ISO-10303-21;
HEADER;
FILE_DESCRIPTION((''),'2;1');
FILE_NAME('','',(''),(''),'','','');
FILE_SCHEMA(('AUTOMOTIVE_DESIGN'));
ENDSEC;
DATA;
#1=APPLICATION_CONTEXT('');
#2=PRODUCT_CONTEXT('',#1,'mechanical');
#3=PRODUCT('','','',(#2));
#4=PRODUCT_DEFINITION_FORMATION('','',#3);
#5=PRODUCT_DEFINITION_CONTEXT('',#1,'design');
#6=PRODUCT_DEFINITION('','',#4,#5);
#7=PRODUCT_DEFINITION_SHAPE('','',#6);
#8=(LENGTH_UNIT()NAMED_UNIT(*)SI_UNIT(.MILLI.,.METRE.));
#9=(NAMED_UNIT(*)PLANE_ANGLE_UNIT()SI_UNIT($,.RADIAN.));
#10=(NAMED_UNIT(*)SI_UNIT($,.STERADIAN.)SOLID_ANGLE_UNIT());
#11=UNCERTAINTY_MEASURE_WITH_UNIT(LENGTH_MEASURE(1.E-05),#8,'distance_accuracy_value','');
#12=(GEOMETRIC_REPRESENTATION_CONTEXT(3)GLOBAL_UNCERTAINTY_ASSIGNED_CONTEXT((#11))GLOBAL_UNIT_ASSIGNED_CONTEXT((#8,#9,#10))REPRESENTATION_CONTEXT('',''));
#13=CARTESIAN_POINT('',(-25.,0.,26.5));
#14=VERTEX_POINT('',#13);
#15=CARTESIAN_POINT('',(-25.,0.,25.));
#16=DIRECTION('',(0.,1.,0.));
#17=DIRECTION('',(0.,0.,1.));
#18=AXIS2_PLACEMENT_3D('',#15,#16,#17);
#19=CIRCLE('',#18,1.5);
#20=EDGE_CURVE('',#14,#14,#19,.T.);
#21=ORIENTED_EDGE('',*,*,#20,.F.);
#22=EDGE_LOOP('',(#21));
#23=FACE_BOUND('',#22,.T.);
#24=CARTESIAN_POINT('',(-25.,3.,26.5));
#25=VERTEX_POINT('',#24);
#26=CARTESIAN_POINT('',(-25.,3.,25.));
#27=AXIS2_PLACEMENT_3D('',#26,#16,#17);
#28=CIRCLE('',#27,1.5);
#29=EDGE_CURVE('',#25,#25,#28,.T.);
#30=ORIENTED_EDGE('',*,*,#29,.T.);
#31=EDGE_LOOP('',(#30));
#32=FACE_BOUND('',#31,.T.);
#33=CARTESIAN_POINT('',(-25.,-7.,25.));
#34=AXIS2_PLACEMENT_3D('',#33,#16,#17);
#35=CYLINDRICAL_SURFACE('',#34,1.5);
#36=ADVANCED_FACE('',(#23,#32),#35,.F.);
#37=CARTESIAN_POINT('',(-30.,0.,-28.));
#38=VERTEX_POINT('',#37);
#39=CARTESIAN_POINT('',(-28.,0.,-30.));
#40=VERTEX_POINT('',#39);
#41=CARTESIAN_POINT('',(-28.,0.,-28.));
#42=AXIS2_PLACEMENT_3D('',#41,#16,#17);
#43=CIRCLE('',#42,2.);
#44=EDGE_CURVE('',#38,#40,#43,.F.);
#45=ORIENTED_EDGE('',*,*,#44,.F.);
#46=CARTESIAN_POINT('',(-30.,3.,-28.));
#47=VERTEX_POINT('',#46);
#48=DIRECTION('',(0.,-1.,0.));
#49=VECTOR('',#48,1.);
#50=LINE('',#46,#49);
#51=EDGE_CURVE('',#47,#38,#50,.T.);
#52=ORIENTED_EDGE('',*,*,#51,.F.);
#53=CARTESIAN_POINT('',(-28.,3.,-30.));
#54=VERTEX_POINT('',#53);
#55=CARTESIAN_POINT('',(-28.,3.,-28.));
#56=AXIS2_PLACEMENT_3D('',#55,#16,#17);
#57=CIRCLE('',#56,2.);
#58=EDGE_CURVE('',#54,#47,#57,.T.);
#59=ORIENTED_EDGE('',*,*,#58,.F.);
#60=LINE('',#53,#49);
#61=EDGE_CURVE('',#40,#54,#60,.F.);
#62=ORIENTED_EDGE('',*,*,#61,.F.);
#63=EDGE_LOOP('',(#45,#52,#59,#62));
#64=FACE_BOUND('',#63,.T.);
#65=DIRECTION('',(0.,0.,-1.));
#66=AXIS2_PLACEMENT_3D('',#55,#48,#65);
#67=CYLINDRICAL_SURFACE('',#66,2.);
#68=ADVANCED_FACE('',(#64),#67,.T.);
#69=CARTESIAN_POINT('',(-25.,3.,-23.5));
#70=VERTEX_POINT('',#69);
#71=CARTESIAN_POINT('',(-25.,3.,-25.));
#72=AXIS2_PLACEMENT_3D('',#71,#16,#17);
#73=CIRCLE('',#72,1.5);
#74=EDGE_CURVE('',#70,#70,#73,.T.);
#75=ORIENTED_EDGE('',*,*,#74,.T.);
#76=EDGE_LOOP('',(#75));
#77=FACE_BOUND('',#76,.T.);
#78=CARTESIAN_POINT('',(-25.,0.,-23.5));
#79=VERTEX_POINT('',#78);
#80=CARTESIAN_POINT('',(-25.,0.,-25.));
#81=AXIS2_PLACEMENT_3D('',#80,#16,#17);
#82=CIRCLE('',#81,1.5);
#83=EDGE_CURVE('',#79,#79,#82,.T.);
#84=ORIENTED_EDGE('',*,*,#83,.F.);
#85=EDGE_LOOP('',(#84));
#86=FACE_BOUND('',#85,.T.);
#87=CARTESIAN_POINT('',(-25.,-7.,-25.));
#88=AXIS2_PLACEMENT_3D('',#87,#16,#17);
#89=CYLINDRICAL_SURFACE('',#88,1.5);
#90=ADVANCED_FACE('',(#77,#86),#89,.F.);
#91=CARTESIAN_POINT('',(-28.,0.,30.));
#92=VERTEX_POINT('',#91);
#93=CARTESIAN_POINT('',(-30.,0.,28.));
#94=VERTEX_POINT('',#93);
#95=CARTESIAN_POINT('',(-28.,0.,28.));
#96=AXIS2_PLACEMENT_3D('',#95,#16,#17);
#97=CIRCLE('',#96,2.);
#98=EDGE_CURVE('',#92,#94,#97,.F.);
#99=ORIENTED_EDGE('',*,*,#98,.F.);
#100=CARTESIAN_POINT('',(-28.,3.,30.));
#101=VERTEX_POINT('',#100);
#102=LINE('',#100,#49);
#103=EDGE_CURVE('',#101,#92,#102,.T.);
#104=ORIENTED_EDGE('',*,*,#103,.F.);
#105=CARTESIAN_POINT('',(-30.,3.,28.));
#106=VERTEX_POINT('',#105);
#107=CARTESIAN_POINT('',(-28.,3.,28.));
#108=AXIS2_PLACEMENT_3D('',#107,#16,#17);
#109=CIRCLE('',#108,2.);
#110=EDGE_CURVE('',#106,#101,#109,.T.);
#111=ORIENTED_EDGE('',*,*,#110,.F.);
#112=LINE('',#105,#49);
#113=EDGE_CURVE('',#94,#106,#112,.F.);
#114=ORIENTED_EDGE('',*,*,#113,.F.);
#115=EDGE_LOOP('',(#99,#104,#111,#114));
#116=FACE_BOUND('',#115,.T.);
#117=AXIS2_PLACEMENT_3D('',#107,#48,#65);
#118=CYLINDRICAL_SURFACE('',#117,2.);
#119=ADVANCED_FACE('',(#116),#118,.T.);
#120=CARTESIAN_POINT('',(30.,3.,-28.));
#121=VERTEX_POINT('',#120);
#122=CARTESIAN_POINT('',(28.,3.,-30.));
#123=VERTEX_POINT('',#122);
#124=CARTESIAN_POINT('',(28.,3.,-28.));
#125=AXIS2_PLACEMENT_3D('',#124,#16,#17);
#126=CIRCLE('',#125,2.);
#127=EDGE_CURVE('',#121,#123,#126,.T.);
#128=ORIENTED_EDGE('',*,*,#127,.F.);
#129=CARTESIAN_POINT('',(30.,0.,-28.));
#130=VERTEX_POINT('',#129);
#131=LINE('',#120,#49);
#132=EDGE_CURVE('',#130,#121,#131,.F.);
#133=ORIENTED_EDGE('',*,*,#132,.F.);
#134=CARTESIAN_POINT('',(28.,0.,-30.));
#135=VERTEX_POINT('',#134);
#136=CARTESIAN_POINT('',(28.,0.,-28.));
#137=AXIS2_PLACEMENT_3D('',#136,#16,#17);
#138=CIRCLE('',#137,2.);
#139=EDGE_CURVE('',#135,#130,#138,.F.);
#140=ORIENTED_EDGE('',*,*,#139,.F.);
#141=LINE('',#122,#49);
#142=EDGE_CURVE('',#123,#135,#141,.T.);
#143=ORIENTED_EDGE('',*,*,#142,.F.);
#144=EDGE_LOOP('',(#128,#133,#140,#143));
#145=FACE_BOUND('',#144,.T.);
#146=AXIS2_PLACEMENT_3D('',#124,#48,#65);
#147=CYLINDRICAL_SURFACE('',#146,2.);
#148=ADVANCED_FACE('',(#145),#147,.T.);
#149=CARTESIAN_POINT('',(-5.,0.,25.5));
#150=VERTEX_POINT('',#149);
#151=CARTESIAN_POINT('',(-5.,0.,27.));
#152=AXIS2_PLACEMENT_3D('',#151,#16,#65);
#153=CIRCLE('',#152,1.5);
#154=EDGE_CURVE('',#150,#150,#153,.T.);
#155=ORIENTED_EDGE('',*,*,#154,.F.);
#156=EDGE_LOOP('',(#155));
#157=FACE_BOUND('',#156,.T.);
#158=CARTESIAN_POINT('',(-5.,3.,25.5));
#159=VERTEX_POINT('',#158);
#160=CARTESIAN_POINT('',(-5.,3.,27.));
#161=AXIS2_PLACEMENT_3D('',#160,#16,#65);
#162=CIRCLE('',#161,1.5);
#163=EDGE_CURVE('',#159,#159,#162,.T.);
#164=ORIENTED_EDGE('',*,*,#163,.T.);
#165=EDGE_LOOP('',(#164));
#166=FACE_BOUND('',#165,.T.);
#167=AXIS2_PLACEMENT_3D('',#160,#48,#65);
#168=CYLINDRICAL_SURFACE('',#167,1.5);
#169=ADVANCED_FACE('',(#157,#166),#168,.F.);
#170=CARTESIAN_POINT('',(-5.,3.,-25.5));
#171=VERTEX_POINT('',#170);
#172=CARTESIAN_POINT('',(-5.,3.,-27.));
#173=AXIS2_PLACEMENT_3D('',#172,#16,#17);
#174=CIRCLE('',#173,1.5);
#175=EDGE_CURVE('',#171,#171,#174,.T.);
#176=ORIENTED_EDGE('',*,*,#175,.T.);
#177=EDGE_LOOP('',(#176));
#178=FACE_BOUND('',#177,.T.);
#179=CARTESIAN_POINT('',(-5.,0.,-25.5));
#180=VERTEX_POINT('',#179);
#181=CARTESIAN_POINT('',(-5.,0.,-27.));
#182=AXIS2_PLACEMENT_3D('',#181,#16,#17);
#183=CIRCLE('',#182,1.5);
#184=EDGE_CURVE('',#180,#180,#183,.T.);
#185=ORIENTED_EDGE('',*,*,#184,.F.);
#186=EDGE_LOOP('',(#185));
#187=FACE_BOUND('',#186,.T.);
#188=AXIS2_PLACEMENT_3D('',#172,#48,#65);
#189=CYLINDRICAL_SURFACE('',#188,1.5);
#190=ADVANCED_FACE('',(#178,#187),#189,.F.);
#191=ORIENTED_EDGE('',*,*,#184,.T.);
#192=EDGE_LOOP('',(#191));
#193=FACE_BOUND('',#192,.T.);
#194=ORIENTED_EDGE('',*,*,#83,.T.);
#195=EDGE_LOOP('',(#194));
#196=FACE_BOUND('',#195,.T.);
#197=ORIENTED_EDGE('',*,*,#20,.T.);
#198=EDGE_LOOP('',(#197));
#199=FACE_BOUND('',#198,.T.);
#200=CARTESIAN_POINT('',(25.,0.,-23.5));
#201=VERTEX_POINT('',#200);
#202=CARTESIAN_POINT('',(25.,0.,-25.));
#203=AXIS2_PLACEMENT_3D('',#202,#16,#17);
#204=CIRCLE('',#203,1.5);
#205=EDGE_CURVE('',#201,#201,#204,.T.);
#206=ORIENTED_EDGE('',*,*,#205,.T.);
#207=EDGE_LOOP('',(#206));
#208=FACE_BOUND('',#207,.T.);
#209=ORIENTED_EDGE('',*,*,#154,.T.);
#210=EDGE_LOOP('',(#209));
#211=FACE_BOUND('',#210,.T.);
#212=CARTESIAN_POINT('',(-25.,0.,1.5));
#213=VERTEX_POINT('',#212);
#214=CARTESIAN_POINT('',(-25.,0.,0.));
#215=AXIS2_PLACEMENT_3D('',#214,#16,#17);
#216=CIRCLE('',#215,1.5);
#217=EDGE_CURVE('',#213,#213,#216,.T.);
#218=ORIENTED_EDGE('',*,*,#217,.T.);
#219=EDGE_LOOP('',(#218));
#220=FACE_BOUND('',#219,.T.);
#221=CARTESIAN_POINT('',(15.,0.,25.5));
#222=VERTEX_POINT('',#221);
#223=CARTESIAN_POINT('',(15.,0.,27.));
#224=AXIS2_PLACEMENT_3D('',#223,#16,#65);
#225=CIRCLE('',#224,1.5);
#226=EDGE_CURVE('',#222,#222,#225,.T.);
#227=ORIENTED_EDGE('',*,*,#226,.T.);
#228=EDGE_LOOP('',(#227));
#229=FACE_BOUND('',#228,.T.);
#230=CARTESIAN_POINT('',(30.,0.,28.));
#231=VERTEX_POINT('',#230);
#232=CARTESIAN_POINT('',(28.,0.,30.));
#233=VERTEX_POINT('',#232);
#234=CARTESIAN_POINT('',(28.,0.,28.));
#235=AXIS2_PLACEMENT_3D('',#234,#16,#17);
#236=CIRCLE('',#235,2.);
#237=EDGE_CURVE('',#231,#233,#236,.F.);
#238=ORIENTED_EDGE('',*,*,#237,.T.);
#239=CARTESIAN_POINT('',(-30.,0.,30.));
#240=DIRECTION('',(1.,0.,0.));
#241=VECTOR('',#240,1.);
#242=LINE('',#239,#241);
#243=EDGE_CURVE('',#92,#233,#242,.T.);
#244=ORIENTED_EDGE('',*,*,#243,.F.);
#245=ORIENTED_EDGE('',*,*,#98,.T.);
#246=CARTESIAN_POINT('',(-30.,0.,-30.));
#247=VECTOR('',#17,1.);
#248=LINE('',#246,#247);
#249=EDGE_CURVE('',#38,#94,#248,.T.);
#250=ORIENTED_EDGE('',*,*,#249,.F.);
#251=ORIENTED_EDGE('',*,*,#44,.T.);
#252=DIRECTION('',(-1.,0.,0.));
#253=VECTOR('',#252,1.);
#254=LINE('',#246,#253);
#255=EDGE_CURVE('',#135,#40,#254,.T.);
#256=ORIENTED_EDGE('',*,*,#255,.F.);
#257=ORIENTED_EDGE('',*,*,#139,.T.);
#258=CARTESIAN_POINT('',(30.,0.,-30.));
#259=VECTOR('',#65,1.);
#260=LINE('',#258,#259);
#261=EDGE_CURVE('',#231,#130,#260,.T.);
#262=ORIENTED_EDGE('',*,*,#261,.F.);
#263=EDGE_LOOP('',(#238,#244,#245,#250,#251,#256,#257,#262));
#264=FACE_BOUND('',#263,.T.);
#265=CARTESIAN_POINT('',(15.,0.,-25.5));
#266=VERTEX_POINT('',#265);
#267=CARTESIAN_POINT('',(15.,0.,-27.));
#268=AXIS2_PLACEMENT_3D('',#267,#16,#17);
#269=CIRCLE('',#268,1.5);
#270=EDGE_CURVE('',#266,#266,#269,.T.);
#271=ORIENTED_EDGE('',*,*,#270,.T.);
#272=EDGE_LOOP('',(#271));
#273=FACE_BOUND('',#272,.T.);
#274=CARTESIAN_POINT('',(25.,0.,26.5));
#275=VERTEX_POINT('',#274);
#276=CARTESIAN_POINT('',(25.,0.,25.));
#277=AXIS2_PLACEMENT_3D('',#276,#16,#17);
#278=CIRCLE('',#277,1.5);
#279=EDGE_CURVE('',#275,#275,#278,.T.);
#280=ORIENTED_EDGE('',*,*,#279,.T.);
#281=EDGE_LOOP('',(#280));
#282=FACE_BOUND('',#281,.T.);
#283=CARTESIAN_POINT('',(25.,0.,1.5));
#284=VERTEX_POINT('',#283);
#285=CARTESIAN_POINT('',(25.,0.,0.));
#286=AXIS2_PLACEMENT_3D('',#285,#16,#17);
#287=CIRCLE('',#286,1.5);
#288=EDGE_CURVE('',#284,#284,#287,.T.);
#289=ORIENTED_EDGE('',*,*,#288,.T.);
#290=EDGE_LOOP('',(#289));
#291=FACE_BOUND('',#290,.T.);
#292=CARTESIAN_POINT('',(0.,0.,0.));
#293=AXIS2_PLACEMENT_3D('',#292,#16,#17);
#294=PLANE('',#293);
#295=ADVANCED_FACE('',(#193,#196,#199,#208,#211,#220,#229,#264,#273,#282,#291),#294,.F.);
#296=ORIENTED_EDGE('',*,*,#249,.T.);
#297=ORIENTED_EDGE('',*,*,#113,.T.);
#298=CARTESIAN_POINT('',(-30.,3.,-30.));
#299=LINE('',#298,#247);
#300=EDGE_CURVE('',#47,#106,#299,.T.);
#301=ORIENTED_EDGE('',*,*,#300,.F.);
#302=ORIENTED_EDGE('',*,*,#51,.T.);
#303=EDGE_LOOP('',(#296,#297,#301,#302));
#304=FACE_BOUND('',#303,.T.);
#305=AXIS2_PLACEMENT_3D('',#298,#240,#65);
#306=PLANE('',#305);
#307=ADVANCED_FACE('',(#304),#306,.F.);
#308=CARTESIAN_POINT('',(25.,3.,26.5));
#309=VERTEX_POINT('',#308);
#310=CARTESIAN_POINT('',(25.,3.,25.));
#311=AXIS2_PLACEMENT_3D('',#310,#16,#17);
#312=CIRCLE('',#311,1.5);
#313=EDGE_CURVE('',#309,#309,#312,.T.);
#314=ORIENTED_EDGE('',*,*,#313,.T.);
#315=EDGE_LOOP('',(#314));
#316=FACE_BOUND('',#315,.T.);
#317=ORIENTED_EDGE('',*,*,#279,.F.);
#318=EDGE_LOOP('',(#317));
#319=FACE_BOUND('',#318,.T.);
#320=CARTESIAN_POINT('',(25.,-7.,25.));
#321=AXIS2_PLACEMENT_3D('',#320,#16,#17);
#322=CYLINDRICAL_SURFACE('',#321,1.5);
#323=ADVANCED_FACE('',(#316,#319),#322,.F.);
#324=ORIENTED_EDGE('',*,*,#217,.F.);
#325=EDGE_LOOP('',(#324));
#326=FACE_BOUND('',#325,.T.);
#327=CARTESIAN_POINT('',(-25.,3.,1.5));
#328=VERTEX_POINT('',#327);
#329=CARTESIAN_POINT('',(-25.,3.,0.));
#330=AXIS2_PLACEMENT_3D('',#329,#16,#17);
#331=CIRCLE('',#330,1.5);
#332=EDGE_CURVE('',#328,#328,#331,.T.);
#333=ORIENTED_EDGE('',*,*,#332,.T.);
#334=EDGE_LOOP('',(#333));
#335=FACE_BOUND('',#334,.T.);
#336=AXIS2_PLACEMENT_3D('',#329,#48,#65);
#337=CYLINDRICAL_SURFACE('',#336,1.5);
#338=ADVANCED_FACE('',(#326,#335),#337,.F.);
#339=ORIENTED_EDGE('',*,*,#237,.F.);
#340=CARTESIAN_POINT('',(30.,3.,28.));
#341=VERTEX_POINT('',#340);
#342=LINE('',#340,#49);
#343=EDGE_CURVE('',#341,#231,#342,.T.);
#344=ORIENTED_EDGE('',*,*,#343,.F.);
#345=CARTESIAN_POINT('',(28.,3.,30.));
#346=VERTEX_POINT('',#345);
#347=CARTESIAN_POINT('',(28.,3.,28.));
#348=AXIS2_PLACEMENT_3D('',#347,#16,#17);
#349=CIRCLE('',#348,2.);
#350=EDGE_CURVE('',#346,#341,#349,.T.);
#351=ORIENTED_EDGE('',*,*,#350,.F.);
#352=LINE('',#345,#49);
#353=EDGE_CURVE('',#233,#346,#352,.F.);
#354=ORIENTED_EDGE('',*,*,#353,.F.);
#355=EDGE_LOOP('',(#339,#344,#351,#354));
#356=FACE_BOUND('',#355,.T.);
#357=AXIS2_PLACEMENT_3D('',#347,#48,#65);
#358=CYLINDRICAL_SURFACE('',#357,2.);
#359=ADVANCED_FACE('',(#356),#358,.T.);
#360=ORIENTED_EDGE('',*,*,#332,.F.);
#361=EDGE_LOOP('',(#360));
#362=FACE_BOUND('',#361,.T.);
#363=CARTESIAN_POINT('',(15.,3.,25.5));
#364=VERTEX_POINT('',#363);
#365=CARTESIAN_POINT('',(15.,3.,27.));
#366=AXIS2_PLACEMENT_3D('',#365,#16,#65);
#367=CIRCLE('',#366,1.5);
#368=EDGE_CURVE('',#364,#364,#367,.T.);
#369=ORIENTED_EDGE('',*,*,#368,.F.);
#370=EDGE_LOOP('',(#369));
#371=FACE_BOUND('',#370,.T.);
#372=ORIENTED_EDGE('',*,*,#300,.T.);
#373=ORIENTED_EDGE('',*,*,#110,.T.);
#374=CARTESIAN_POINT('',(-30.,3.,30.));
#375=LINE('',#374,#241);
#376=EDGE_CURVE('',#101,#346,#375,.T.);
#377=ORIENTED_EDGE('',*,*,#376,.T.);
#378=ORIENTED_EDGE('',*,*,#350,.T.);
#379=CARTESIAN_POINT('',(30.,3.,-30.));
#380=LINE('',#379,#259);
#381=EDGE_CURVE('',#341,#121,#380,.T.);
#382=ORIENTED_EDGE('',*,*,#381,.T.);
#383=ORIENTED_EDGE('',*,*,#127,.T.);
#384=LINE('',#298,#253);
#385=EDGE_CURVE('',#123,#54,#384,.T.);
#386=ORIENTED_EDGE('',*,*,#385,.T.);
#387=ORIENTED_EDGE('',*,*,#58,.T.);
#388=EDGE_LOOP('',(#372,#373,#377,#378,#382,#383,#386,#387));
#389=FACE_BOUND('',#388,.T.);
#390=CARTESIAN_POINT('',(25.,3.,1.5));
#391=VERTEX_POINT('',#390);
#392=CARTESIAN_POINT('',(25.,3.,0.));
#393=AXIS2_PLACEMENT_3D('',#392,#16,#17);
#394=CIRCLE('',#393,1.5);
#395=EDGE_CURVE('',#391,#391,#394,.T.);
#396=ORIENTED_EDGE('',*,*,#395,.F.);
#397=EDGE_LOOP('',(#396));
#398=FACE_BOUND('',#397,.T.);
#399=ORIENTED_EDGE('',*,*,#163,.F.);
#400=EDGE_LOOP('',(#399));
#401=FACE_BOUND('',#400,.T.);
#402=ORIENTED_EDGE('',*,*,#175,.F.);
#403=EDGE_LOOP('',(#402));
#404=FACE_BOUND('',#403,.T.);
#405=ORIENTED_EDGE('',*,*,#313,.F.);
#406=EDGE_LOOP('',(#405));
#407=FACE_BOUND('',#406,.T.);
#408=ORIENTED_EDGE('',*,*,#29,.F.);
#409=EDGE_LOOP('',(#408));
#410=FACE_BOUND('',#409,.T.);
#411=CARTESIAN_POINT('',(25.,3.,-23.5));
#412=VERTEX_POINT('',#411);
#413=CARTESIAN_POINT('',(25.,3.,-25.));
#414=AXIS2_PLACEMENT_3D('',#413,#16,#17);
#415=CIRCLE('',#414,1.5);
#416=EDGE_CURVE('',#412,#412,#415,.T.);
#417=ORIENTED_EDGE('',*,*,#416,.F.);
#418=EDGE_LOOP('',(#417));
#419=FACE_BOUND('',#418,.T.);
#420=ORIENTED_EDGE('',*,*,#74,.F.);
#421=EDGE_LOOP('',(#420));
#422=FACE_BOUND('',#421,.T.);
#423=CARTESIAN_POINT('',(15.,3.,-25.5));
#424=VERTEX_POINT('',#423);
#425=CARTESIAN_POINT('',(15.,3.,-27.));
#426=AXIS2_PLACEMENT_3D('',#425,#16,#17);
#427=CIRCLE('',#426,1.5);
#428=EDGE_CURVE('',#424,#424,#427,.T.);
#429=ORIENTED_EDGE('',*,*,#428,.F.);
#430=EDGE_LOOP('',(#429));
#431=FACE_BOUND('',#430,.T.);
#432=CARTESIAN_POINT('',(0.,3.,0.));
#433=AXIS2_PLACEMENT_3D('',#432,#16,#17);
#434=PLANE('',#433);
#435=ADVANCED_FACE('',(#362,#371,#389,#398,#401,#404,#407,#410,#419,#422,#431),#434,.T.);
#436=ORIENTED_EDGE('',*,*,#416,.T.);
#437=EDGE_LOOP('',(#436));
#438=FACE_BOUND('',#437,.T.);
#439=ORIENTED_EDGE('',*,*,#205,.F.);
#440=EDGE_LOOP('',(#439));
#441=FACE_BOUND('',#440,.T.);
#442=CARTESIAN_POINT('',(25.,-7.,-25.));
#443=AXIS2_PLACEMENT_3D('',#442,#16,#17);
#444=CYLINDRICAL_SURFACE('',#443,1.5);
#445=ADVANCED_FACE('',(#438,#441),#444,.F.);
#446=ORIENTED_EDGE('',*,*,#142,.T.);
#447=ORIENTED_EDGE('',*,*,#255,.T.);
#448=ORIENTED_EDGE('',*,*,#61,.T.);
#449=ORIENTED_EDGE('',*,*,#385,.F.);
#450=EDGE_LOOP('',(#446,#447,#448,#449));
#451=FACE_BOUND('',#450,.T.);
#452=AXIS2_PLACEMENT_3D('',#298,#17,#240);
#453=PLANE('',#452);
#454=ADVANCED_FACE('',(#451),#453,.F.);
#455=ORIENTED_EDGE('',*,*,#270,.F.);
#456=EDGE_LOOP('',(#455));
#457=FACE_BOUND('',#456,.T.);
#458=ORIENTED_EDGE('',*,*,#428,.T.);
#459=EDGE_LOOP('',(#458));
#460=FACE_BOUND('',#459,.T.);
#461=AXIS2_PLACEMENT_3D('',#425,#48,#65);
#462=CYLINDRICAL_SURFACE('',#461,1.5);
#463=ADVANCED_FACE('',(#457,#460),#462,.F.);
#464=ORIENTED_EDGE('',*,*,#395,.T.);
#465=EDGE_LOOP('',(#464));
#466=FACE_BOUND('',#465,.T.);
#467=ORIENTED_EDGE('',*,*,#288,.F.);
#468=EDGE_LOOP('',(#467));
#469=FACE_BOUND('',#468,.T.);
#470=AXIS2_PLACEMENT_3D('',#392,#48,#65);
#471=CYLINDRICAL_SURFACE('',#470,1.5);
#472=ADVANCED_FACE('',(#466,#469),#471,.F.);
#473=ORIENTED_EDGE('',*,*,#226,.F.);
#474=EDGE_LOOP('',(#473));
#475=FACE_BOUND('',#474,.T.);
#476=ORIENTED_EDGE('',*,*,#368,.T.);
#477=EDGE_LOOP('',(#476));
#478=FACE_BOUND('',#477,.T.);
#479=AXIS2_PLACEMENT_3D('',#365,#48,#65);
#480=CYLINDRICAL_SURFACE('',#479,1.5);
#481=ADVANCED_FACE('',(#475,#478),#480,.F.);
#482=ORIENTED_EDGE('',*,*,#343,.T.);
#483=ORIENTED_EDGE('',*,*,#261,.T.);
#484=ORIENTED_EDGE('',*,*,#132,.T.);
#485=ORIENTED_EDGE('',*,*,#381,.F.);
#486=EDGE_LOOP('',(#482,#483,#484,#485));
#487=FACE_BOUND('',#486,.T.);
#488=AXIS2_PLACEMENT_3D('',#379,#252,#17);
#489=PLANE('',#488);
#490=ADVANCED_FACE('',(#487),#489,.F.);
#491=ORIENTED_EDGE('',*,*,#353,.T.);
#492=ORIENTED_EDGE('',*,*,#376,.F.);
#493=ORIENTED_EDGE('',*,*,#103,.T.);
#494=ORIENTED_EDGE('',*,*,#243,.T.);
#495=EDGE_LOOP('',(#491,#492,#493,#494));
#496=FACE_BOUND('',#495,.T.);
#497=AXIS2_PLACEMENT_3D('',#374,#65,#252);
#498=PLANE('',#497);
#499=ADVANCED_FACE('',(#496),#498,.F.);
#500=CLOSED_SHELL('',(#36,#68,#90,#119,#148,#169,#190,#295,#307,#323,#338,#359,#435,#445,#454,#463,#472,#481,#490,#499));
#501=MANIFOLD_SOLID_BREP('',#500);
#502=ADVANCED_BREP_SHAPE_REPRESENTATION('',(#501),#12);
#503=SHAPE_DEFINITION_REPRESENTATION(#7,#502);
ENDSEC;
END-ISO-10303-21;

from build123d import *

# Parameters (mm, degrees)
SKETCH_1_W          = 60
SKETCH_1_H          = 60
SKETCH_1_R          = 1.5
EXTRUDE_1_DEPTH     = 3
SKETCH_2_R          = 1.5
CUT_EXTRUDE_1_DEPTH = 10
FILLET_1_R          = 2


with BuildPart() as part:
    # 草图1 → 凸台-拉伸1 (new body)
    with BuildSketch(Plane(origin=(0, 0, 0), x_dir=(1, 0, 0), z_dir=(0, 1, 0))):
        Rectangle(SKETCH_1_W, SKETCH_1_H)
        with Locations(Location((-5, 27, 0), (0, 0, 270))):
            Circle(SKETCH_1_R, mode=Mode.SUBTRACT)
        with Locations(Location((15, 27, 0), (0, 0, 270))):
            Circle(SKETCH_1_R, mode=Mode.SUBTRACT)
        with Locations(Location((15, -27, 0), (0, 0, 90))):
            Circle(SKETCH_1_R, mode=Mode.SUBTRACT)
        with Locations(Location((-5, -27, 0), (0, 0, 90))):
            Circle(SKETCH_1_R, mode=Mode.SUBTRACT)
        with Locations(Location((-25, 0, 0), (0, 0, 270))):
            Circle(SKETCH_1_R, mode=Mode.SUBTRACT)
        with Locations(Location((25, 0, 0), (0, 0, 270))):
            Circle(SKETCH_1_R, mode=Mode.SUBTRACT)
    extrude(amount=EXTRUDE_1_DEPTH)

    # 草图2 → 切除-拉伸1 (cut)
    with BuildSketch(Plane(origin=(0, 3, 0), x_dir=(1, 0, 0), z_dir=(0, 1, 0))):
        with Locations(Location((-25, 25, 0), (0, 0, 270))):
            Circle(SKETCH_2_R)
        with Locations(Location((25, 25, 0), (0, 0, 270))):
            Circle(SKETCH_2_R)
        with Locations(Location((-25, -25, 0), (0, 0, 270))):
            Circle(SKETCH_2_R)
        with Locations(Location((25, -25, 0), (0, 0, 270))):
            Circle(SKETCH_2_R)
    extrude(amount=-CUT_EXTRUDE_1_DEPTH, mode=Mode.SUBTRACT)

    # 圆角1
    fillet_1_edges = [part.edges().sort_by_distance(p)[0] for p in [
        (30, 1.5, 30),
        (-30, 1.5, 30),
        (-30, 1.5, -30),
        (30, 1.5, -30),
    ]]
    fillet(fillet_1_edges, radius=FILLET_1_R)


solid = part.part
